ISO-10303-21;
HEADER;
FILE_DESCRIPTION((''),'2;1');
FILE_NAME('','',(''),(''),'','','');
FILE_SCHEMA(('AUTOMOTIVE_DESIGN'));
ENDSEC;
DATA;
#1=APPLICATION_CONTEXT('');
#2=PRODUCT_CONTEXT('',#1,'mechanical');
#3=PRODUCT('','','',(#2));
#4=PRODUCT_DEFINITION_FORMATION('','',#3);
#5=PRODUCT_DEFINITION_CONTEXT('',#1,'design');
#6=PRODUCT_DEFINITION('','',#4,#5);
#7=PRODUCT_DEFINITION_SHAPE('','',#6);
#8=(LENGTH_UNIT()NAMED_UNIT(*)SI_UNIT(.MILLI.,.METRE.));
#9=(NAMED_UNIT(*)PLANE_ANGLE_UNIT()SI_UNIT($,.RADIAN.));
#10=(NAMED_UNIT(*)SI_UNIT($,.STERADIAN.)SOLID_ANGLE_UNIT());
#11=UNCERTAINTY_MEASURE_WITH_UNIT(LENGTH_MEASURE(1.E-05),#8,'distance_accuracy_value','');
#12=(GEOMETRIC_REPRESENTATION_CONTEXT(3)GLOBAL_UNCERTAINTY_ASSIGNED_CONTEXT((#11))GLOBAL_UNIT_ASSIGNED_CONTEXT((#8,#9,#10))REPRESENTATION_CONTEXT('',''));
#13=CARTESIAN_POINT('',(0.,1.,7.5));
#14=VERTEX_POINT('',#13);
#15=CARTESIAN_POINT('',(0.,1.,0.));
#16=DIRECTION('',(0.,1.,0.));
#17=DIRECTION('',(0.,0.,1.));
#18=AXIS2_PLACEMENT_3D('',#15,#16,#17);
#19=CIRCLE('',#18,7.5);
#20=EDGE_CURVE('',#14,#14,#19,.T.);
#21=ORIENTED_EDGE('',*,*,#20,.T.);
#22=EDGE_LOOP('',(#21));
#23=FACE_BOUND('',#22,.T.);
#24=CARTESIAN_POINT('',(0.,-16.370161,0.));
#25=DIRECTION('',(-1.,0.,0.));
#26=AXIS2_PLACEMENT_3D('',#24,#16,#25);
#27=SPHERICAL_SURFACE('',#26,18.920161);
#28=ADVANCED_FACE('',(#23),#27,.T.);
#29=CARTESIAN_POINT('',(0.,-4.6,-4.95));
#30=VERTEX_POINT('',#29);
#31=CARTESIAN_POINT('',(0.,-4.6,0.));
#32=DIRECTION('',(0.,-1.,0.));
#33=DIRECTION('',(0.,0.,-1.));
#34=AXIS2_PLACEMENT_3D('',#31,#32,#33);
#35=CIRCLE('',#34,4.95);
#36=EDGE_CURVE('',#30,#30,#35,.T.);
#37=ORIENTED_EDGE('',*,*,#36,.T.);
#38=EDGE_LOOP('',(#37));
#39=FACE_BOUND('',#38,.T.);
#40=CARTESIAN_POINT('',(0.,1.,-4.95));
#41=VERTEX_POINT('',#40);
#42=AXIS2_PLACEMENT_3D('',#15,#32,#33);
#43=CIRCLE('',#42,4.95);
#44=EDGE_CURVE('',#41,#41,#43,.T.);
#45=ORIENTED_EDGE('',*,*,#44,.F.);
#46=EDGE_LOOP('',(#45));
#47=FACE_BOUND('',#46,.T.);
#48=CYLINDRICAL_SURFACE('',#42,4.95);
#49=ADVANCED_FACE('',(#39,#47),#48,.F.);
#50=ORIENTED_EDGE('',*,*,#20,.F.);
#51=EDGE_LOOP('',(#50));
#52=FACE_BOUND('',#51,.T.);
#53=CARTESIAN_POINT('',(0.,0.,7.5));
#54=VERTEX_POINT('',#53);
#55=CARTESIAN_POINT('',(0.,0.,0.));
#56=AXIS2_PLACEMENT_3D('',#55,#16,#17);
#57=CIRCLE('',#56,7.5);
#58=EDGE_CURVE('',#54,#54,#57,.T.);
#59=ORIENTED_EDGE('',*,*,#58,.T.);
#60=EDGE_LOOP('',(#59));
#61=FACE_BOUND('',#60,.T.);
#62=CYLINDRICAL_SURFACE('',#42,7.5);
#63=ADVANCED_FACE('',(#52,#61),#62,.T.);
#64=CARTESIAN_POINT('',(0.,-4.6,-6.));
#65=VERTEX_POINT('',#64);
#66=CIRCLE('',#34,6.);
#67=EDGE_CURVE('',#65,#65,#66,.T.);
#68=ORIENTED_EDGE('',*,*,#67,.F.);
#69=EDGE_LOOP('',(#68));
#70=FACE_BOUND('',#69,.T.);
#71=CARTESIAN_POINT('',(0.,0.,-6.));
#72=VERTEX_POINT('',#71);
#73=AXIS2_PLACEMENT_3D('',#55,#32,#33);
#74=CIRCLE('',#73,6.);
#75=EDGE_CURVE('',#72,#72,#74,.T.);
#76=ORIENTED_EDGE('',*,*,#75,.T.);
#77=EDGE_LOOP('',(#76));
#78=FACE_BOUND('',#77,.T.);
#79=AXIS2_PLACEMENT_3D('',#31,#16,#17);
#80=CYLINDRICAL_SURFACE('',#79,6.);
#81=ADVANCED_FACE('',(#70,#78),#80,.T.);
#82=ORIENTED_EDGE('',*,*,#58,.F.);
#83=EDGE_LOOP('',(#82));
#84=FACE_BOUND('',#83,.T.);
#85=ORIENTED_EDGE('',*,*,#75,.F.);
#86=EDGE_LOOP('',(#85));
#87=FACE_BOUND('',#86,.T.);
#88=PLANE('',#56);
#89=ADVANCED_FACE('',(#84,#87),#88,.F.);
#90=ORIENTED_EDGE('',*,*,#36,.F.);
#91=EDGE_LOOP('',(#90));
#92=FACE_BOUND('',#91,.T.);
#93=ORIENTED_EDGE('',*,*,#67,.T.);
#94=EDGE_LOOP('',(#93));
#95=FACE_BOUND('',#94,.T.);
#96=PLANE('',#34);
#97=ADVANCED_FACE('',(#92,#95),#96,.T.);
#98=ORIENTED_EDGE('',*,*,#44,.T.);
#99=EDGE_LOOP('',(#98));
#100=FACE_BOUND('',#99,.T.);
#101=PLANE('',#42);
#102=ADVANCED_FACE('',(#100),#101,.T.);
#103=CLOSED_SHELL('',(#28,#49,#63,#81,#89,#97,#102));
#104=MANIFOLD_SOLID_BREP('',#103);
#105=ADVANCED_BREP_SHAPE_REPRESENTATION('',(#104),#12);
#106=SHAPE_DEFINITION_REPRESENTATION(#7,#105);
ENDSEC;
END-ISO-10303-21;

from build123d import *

# Parameters (mm, degrees)
SKETCH1_R           = 7.5
BOSS_EXTRUDE1_DEPTH = 1
SKETCH4_R           = 6
BOSS_EXTRUDE2_DEPTH = 4.6
SKETCH5_R           = 4.95
CUT_EXTRUDE1_DEPTH  = 5.6


with BuildPart() as part:
    # Sketch1 → Boss-Extrude1 (new body)
    with BuildSketch(Plane(origin=(0, 0, 0), x_dir=(1, 0, 0), z_dir=(0, 1, 0))):
        Circle(SKETCH1_R)
    extrude(amount=BOSS_EXTRUDE1_DEPTH)

    # Sketch2 one side → Revolve1 (revolve)
    with BuildSketch(Plane.XY):
        with BuildLine():
            Line((0, 1), (7.5, 1))
            ThreePointArc((7.5, 1), (3.829246009, 2.158448432), (0, 2.55))
            Line((0, 2.55), (0, 1))
        make_face()
    revolve(axis=Axis((0, 2.55, 0), (0, -1, 0)))

    # Sketch4 → Boss-Extrude2 (add)
    with BuildSketch(Plane.XZ):
        Circle(SKETCH4_R)
    extrude(amount=BOSS_EXTRUDE2_DEPTH)

    # Sketch5 → Cut-Extrude1 (cut)
    with BuildSketch(Plane.XZ.offset(4.6)):
        Circle(SKETCH5_R)
    extrude(amount=-CUT_EXTRUDE1_DEPTH, mode=Mode.SUBTRACT)


solid = part.part
